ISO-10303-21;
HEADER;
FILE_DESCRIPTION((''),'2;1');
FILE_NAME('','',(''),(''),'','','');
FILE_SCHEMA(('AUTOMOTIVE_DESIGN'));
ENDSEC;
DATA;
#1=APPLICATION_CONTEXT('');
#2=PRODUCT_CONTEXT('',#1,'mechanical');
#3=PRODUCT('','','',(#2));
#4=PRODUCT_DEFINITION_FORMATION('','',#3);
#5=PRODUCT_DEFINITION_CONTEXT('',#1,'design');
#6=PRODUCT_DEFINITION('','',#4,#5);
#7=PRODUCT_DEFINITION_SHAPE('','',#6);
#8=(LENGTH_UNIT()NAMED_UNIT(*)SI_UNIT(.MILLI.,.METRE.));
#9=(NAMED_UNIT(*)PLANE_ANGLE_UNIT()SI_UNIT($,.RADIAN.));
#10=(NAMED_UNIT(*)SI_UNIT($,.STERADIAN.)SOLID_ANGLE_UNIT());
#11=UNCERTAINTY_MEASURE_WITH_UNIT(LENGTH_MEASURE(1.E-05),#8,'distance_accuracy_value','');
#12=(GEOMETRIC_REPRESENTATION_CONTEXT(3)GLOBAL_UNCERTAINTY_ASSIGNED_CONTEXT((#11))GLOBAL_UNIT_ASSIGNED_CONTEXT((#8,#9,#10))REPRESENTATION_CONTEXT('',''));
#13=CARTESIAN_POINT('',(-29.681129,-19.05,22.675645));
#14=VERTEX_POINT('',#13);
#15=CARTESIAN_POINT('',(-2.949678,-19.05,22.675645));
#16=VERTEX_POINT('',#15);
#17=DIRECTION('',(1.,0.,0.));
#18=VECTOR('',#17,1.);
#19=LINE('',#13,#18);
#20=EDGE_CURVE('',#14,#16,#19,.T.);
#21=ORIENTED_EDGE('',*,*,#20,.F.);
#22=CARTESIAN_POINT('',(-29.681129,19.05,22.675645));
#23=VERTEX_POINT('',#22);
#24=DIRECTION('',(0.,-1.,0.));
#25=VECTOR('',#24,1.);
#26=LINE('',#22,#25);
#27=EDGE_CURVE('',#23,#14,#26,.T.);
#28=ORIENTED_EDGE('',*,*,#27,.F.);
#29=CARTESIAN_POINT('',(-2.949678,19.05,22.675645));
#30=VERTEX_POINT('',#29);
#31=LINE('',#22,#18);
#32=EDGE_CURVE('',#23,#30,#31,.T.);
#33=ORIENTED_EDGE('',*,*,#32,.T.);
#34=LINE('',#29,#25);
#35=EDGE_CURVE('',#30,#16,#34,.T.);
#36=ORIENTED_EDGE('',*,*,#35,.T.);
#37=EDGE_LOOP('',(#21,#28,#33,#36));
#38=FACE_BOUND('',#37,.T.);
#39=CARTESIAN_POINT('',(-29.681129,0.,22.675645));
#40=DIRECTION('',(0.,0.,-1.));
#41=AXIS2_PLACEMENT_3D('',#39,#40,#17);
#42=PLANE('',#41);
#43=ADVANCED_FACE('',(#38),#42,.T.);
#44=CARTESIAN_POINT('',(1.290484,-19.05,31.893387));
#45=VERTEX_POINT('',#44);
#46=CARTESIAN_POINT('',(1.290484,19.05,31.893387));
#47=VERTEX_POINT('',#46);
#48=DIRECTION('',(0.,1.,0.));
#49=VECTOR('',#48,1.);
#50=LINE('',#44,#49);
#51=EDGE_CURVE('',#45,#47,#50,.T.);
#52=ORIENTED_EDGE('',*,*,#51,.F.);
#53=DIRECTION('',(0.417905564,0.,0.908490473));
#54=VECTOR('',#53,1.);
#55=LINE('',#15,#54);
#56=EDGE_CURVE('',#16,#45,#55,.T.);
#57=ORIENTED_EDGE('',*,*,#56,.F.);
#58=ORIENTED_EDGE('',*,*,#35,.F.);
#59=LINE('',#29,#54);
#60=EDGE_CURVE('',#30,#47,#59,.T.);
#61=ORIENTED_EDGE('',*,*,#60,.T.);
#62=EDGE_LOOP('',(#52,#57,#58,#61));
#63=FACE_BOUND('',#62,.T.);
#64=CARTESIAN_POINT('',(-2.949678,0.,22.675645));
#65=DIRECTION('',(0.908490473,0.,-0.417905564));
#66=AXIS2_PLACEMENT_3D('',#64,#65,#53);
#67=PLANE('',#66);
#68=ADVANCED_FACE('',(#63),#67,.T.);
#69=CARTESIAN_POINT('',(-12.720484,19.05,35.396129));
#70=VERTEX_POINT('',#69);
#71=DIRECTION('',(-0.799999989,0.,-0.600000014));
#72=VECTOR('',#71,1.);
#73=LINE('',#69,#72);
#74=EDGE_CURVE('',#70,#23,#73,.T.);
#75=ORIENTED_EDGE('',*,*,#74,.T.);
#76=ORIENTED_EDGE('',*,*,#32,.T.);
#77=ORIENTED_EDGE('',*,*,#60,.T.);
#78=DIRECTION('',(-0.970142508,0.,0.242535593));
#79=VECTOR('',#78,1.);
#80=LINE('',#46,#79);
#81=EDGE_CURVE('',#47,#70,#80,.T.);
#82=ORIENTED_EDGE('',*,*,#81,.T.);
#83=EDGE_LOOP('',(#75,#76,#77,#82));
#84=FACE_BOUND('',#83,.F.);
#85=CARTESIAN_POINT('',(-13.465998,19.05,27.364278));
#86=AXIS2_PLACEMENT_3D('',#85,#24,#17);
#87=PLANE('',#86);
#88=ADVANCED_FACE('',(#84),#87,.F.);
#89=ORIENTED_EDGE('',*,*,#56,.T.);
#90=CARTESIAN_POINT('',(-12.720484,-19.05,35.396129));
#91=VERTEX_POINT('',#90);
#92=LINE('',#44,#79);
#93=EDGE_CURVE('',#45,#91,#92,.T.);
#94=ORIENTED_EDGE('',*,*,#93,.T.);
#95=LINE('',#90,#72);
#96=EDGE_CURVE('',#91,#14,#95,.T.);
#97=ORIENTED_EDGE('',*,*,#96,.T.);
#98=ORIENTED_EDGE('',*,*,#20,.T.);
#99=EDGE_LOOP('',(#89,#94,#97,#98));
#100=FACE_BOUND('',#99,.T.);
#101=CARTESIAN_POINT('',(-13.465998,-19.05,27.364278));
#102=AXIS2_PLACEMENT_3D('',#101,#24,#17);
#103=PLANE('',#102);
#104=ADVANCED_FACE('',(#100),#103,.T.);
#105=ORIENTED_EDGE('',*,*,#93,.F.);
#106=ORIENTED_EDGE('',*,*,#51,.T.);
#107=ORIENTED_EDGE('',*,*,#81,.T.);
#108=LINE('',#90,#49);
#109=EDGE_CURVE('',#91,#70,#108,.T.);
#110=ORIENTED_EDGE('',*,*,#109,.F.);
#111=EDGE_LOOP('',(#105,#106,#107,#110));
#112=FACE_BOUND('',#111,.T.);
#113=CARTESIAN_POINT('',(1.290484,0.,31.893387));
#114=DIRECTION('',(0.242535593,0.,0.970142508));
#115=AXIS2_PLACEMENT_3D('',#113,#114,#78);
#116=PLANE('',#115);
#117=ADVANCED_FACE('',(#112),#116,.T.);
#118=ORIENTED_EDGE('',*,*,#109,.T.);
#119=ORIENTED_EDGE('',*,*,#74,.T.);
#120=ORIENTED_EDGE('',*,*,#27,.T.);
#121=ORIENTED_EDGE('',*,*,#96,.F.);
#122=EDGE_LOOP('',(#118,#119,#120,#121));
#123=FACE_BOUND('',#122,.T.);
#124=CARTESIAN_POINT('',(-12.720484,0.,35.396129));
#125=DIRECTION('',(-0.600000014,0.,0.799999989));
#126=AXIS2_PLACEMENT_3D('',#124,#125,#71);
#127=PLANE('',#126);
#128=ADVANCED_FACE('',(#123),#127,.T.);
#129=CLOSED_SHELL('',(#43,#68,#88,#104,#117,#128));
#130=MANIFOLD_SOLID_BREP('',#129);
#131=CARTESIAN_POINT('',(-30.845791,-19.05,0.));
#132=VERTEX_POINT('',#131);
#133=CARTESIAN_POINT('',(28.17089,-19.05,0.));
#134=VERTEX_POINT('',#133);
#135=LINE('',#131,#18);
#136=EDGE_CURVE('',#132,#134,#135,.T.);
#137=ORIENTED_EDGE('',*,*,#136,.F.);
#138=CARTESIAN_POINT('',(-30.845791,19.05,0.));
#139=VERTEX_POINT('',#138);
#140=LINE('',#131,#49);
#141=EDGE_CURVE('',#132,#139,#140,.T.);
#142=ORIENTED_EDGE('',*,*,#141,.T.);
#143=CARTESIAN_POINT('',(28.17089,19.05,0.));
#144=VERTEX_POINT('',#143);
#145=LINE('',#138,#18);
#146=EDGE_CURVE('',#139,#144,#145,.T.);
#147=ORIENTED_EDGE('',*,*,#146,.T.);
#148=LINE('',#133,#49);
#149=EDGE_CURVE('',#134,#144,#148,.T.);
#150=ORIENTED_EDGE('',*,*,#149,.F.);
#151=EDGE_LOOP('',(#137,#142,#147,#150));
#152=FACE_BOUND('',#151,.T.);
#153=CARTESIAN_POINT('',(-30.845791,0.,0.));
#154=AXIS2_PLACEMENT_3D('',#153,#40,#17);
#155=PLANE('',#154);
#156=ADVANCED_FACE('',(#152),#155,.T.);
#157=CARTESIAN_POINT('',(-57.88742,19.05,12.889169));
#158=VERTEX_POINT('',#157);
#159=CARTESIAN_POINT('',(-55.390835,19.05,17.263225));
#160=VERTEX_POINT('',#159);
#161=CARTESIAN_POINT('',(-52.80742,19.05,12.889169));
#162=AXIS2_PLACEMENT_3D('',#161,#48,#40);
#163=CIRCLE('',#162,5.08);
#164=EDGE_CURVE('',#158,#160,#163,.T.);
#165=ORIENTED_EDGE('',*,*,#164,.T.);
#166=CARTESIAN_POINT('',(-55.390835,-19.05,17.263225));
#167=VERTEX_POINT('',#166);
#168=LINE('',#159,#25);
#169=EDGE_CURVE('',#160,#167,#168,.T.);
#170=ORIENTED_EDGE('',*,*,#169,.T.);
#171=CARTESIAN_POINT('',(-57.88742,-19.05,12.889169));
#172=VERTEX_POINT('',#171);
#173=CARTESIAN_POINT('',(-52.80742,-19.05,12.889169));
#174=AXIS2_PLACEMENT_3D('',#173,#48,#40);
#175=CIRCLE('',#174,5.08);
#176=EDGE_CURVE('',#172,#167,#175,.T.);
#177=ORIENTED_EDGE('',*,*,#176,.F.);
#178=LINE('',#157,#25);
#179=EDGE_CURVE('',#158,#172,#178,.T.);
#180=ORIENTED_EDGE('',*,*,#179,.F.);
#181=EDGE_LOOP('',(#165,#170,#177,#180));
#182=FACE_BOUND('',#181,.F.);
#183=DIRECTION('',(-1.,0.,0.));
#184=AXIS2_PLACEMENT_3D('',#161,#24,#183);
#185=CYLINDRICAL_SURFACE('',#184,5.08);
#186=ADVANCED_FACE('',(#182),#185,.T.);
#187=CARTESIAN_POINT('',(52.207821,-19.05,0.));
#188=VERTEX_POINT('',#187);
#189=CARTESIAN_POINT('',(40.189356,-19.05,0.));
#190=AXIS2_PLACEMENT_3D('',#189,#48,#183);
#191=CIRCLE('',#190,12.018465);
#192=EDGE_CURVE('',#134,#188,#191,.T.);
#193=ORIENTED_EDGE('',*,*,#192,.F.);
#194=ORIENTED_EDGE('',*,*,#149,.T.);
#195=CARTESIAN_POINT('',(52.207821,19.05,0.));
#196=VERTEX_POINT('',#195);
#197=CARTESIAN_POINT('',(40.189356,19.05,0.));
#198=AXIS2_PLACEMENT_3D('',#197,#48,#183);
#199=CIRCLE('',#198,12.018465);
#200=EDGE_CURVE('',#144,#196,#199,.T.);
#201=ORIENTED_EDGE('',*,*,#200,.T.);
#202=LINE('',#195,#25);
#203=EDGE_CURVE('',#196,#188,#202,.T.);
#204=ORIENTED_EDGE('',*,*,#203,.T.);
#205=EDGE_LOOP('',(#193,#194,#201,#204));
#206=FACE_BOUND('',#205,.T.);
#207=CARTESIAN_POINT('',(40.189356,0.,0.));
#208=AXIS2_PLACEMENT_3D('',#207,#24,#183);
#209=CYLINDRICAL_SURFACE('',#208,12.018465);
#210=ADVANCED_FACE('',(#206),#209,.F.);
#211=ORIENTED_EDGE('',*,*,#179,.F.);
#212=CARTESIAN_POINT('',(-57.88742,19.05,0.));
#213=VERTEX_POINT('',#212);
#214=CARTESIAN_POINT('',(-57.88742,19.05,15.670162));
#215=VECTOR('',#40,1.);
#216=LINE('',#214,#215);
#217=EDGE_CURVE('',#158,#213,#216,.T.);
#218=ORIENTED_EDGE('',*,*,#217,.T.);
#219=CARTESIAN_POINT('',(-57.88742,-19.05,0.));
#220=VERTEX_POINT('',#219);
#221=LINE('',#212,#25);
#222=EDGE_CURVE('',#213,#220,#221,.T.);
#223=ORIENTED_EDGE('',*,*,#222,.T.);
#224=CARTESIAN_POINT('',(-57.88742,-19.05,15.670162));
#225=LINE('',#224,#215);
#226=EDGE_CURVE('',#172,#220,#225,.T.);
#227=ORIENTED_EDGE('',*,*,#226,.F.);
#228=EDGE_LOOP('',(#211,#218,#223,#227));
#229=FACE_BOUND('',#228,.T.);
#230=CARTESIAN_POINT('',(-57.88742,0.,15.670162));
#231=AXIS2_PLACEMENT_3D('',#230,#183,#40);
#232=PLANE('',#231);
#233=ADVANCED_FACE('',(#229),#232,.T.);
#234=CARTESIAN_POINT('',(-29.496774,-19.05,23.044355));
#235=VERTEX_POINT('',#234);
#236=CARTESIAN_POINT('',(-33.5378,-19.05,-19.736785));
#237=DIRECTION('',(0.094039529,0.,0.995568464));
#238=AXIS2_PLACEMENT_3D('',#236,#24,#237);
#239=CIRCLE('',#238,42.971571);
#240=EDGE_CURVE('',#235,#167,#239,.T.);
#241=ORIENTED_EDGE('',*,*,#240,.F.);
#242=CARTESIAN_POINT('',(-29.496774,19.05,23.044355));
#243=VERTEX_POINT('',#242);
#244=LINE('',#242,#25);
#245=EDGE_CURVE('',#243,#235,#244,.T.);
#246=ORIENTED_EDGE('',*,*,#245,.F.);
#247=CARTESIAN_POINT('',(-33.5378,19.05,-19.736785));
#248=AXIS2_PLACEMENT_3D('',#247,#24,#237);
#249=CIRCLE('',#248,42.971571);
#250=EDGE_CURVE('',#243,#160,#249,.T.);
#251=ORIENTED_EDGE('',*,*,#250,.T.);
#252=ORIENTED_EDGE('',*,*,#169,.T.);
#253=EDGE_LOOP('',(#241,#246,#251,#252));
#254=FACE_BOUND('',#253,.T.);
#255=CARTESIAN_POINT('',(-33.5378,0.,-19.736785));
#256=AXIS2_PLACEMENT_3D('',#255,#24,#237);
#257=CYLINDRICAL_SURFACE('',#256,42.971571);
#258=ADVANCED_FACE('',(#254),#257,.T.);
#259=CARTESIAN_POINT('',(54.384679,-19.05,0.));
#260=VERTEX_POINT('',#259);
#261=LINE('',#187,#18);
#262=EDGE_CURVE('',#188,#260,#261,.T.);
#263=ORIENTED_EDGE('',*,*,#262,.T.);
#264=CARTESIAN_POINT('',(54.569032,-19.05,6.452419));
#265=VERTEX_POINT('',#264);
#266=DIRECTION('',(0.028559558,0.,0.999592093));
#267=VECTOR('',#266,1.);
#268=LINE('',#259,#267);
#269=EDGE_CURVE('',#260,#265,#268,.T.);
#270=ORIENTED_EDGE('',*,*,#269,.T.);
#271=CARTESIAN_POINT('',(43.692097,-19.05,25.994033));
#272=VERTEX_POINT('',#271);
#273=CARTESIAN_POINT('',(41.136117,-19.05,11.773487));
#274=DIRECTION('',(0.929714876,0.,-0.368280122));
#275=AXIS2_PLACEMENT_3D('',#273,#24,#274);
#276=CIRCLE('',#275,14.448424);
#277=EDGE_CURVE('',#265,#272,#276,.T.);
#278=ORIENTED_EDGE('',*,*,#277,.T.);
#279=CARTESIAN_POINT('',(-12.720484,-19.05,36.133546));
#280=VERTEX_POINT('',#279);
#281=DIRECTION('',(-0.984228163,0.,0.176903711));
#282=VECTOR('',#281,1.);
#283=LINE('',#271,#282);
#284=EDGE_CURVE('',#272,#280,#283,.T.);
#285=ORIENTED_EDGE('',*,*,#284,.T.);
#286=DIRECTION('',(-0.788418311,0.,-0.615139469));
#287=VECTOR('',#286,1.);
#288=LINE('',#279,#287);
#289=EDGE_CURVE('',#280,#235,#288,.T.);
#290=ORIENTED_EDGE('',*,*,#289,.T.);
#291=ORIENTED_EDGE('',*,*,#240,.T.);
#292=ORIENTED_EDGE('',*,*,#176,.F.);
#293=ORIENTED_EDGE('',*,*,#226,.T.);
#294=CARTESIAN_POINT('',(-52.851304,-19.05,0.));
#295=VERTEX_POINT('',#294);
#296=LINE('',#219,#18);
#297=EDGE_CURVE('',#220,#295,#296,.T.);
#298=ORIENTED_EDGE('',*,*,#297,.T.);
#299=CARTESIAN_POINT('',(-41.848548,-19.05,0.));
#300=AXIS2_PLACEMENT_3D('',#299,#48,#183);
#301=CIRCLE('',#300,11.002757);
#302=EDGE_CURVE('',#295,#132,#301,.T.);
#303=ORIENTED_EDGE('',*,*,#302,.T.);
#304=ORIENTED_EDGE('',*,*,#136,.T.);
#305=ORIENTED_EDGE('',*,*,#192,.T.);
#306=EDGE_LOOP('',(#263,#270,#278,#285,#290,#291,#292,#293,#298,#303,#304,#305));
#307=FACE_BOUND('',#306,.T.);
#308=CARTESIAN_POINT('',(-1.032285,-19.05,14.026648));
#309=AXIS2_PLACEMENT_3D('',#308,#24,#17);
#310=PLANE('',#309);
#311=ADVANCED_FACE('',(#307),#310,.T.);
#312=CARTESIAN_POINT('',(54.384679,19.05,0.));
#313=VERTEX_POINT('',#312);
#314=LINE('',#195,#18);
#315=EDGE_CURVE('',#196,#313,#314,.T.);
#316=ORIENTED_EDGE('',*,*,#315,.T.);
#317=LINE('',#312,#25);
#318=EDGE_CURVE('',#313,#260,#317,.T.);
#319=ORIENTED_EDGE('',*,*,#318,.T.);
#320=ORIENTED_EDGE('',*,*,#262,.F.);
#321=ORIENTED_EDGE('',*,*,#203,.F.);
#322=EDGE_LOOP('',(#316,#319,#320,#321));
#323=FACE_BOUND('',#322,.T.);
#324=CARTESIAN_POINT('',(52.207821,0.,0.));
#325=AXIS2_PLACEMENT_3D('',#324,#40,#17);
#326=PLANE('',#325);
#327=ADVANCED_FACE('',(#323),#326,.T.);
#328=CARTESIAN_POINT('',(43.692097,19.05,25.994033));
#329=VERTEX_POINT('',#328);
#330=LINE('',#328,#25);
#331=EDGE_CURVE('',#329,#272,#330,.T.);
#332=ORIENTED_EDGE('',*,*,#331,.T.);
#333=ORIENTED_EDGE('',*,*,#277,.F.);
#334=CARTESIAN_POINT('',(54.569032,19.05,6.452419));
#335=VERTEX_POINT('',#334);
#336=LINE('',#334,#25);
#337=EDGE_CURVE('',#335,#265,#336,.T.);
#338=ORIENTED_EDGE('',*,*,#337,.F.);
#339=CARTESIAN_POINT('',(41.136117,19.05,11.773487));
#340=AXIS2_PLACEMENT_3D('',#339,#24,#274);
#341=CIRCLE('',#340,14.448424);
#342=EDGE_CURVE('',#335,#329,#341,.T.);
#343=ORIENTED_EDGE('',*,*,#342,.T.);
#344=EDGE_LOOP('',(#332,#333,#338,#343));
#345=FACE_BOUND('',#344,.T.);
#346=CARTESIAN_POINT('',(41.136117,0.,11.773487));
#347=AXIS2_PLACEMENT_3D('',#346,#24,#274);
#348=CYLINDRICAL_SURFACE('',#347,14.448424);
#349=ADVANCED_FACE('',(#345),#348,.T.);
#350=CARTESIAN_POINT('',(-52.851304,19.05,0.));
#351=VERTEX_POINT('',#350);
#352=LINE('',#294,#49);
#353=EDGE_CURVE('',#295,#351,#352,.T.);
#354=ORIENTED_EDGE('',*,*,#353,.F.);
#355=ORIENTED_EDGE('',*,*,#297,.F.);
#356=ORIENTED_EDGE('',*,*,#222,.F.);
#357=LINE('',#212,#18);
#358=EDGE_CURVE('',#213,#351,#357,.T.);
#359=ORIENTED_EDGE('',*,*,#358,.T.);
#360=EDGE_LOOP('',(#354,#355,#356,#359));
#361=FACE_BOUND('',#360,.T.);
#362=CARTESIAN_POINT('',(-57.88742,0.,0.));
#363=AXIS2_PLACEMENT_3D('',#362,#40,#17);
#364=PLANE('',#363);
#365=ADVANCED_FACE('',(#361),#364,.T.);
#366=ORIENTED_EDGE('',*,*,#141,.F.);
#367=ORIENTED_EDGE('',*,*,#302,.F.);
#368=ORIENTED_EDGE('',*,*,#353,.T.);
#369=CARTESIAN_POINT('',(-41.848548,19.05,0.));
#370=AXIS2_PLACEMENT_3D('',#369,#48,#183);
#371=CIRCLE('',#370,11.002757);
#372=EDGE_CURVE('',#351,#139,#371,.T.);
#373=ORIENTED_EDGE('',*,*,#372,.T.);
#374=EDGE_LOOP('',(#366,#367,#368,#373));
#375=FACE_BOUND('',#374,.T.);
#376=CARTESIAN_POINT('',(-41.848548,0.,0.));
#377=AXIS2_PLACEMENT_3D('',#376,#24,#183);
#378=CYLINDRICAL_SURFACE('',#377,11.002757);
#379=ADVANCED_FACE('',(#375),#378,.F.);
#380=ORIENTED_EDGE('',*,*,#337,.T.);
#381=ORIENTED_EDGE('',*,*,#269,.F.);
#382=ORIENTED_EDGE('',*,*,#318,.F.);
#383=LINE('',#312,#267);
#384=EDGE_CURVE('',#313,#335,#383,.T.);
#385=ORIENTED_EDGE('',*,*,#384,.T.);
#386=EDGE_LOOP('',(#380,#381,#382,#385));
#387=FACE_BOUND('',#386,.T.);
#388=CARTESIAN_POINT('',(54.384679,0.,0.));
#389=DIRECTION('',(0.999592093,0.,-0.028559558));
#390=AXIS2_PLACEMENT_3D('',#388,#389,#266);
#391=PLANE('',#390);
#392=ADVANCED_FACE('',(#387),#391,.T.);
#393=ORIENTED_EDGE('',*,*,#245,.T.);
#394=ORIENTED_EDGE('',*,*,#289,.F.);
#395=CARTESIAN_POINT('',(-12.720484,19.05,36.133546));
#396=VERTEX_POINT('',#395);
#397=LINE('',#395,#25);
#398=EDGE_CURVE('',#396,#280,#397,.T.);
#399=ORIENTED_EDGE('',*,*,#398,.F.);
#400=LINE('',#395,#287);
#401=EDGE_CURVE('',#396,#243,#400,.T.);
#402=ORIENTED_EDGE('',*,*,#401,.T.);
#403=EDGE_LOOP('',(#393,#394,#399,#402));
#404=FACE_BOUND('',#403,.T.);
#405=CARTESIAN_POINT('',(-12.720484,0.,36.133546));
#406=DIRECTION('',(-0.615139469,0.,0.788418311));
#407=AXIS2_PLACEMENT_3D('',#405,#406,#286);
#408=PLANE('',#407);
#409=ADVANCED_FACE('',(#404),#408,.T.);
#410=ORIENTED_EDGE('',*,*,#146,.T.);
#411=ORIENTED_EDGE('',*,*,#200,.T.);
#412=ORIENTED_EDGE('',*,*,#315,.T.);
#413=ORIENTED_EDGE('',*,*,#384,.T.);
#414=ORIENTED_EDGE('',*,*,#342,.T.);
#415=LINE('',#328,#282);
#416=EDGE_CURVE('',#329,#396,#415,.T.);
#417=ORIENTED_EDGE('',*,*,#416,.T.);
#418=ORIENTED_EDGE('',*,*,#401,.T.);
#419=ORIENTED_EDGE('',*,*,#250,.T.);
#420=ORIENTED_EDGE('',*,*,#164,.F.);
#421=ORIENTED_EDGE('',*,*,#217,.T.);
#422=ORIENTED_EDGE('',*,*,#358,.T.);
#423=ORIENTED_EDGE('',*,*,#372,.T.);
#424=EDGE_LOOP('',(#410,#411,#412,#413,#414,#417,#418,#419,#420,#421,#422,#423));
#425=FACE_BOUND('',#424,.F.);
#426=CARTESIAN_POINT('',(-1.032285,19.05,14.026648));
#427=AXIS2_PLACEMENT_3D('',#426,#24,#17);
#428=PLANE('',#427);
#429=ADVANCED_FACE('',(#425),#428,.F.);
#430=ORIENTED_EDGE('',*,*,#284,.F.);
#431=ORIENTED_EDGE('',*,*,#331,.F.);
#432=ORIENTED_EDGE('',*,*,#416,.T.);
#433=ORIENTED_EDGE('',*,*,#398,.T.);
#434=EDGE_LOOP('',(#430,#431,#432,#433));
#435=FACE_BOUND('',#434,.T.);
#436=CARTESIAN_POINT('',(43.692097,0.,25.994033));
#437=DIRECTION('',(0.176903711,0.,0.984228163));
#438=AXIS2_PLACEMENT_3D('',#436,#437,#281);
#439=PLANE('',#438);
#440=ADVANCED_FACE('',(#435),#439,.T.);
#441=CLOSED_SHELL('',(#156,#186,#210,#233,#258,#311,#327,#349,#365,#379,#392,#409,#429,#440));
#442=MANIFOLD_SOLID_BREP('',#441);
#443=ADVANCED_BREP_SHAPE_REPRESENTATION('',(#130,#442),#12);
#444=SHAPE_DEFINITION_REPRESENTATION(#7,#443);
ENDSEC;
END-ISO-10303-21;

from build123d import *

# Parameters (mm, degrees)
F2_DEPTH = 19.05
F3_R     = 5.08


with BuildPart() as f2:
    # F1 (on Front) → F2 (new body, symmetric)
    with BuildSketch(Plane.XZ):
        Polygon((-12.7204842865, 35.3961288929), (-29.6811293811, 22.6756446064), (-2.9496776406, 22.6756446064), (1.2904835166, 31.8933874369), align=None)
    extrude(amount=F2_DEPTH, both=True)


with BuildPart() as f2b:
    # F0 (on Front) → F2, piece 2 (new body, symmetric)
    with BuildSketch(Plane.XZ):
        with BuildLine():
            ThreePointArc((28.170890437, 0), (40.1893556118, 12.0184651748), (52.2078207866, 0))
            Line((52.2078207866, 0), (54.3846786022, 0))
            Line((54.3846786022, 0), (54.5690320432, 6.4524193294))
            ThreePointArc((54.5690320432, 6.4524193294), (53.76069051, 18.8003713821), (43.6920970678, 25.9940326214))
            Line((43.6920970678, 25.9940326214), (-12.7204842865, 36.1335463822))
            Line((-12.7204842865, 36.1335463822), (-29.4967740774, 23.0443552136))
            ThreePointArc((-29.4967740774, 23.0443552136), (-44.3407825455, 21.8546976248), (-57.8874200583, 15.6701616943))
            Line((-57.8874200583, 15.6701616943), (-57.8874200583, 0))
            Line((-57.8874200583, 0), (-52.8513044571, 0))
            ThreePointArc((-52.8513044571, 0), (-41.8485477567, 11.0027567004), (-30.8457910562, 0))
            Line((-30.8457910562, 0), (28.170890437, 0))
        make_face()
    extrude(amount=F2_DEPTH, both=True)

    # F3
    f3_edges = [f2b.edges().sort_by_distance(p)[0] for p in [
        (43.692097, 0, 25.994033),
        (-57.88742, 0, 15.670162),
    ]]
    fillet(f3_edges, radius=F3_R)


solid = Compound([f2.part, f2b.part])
